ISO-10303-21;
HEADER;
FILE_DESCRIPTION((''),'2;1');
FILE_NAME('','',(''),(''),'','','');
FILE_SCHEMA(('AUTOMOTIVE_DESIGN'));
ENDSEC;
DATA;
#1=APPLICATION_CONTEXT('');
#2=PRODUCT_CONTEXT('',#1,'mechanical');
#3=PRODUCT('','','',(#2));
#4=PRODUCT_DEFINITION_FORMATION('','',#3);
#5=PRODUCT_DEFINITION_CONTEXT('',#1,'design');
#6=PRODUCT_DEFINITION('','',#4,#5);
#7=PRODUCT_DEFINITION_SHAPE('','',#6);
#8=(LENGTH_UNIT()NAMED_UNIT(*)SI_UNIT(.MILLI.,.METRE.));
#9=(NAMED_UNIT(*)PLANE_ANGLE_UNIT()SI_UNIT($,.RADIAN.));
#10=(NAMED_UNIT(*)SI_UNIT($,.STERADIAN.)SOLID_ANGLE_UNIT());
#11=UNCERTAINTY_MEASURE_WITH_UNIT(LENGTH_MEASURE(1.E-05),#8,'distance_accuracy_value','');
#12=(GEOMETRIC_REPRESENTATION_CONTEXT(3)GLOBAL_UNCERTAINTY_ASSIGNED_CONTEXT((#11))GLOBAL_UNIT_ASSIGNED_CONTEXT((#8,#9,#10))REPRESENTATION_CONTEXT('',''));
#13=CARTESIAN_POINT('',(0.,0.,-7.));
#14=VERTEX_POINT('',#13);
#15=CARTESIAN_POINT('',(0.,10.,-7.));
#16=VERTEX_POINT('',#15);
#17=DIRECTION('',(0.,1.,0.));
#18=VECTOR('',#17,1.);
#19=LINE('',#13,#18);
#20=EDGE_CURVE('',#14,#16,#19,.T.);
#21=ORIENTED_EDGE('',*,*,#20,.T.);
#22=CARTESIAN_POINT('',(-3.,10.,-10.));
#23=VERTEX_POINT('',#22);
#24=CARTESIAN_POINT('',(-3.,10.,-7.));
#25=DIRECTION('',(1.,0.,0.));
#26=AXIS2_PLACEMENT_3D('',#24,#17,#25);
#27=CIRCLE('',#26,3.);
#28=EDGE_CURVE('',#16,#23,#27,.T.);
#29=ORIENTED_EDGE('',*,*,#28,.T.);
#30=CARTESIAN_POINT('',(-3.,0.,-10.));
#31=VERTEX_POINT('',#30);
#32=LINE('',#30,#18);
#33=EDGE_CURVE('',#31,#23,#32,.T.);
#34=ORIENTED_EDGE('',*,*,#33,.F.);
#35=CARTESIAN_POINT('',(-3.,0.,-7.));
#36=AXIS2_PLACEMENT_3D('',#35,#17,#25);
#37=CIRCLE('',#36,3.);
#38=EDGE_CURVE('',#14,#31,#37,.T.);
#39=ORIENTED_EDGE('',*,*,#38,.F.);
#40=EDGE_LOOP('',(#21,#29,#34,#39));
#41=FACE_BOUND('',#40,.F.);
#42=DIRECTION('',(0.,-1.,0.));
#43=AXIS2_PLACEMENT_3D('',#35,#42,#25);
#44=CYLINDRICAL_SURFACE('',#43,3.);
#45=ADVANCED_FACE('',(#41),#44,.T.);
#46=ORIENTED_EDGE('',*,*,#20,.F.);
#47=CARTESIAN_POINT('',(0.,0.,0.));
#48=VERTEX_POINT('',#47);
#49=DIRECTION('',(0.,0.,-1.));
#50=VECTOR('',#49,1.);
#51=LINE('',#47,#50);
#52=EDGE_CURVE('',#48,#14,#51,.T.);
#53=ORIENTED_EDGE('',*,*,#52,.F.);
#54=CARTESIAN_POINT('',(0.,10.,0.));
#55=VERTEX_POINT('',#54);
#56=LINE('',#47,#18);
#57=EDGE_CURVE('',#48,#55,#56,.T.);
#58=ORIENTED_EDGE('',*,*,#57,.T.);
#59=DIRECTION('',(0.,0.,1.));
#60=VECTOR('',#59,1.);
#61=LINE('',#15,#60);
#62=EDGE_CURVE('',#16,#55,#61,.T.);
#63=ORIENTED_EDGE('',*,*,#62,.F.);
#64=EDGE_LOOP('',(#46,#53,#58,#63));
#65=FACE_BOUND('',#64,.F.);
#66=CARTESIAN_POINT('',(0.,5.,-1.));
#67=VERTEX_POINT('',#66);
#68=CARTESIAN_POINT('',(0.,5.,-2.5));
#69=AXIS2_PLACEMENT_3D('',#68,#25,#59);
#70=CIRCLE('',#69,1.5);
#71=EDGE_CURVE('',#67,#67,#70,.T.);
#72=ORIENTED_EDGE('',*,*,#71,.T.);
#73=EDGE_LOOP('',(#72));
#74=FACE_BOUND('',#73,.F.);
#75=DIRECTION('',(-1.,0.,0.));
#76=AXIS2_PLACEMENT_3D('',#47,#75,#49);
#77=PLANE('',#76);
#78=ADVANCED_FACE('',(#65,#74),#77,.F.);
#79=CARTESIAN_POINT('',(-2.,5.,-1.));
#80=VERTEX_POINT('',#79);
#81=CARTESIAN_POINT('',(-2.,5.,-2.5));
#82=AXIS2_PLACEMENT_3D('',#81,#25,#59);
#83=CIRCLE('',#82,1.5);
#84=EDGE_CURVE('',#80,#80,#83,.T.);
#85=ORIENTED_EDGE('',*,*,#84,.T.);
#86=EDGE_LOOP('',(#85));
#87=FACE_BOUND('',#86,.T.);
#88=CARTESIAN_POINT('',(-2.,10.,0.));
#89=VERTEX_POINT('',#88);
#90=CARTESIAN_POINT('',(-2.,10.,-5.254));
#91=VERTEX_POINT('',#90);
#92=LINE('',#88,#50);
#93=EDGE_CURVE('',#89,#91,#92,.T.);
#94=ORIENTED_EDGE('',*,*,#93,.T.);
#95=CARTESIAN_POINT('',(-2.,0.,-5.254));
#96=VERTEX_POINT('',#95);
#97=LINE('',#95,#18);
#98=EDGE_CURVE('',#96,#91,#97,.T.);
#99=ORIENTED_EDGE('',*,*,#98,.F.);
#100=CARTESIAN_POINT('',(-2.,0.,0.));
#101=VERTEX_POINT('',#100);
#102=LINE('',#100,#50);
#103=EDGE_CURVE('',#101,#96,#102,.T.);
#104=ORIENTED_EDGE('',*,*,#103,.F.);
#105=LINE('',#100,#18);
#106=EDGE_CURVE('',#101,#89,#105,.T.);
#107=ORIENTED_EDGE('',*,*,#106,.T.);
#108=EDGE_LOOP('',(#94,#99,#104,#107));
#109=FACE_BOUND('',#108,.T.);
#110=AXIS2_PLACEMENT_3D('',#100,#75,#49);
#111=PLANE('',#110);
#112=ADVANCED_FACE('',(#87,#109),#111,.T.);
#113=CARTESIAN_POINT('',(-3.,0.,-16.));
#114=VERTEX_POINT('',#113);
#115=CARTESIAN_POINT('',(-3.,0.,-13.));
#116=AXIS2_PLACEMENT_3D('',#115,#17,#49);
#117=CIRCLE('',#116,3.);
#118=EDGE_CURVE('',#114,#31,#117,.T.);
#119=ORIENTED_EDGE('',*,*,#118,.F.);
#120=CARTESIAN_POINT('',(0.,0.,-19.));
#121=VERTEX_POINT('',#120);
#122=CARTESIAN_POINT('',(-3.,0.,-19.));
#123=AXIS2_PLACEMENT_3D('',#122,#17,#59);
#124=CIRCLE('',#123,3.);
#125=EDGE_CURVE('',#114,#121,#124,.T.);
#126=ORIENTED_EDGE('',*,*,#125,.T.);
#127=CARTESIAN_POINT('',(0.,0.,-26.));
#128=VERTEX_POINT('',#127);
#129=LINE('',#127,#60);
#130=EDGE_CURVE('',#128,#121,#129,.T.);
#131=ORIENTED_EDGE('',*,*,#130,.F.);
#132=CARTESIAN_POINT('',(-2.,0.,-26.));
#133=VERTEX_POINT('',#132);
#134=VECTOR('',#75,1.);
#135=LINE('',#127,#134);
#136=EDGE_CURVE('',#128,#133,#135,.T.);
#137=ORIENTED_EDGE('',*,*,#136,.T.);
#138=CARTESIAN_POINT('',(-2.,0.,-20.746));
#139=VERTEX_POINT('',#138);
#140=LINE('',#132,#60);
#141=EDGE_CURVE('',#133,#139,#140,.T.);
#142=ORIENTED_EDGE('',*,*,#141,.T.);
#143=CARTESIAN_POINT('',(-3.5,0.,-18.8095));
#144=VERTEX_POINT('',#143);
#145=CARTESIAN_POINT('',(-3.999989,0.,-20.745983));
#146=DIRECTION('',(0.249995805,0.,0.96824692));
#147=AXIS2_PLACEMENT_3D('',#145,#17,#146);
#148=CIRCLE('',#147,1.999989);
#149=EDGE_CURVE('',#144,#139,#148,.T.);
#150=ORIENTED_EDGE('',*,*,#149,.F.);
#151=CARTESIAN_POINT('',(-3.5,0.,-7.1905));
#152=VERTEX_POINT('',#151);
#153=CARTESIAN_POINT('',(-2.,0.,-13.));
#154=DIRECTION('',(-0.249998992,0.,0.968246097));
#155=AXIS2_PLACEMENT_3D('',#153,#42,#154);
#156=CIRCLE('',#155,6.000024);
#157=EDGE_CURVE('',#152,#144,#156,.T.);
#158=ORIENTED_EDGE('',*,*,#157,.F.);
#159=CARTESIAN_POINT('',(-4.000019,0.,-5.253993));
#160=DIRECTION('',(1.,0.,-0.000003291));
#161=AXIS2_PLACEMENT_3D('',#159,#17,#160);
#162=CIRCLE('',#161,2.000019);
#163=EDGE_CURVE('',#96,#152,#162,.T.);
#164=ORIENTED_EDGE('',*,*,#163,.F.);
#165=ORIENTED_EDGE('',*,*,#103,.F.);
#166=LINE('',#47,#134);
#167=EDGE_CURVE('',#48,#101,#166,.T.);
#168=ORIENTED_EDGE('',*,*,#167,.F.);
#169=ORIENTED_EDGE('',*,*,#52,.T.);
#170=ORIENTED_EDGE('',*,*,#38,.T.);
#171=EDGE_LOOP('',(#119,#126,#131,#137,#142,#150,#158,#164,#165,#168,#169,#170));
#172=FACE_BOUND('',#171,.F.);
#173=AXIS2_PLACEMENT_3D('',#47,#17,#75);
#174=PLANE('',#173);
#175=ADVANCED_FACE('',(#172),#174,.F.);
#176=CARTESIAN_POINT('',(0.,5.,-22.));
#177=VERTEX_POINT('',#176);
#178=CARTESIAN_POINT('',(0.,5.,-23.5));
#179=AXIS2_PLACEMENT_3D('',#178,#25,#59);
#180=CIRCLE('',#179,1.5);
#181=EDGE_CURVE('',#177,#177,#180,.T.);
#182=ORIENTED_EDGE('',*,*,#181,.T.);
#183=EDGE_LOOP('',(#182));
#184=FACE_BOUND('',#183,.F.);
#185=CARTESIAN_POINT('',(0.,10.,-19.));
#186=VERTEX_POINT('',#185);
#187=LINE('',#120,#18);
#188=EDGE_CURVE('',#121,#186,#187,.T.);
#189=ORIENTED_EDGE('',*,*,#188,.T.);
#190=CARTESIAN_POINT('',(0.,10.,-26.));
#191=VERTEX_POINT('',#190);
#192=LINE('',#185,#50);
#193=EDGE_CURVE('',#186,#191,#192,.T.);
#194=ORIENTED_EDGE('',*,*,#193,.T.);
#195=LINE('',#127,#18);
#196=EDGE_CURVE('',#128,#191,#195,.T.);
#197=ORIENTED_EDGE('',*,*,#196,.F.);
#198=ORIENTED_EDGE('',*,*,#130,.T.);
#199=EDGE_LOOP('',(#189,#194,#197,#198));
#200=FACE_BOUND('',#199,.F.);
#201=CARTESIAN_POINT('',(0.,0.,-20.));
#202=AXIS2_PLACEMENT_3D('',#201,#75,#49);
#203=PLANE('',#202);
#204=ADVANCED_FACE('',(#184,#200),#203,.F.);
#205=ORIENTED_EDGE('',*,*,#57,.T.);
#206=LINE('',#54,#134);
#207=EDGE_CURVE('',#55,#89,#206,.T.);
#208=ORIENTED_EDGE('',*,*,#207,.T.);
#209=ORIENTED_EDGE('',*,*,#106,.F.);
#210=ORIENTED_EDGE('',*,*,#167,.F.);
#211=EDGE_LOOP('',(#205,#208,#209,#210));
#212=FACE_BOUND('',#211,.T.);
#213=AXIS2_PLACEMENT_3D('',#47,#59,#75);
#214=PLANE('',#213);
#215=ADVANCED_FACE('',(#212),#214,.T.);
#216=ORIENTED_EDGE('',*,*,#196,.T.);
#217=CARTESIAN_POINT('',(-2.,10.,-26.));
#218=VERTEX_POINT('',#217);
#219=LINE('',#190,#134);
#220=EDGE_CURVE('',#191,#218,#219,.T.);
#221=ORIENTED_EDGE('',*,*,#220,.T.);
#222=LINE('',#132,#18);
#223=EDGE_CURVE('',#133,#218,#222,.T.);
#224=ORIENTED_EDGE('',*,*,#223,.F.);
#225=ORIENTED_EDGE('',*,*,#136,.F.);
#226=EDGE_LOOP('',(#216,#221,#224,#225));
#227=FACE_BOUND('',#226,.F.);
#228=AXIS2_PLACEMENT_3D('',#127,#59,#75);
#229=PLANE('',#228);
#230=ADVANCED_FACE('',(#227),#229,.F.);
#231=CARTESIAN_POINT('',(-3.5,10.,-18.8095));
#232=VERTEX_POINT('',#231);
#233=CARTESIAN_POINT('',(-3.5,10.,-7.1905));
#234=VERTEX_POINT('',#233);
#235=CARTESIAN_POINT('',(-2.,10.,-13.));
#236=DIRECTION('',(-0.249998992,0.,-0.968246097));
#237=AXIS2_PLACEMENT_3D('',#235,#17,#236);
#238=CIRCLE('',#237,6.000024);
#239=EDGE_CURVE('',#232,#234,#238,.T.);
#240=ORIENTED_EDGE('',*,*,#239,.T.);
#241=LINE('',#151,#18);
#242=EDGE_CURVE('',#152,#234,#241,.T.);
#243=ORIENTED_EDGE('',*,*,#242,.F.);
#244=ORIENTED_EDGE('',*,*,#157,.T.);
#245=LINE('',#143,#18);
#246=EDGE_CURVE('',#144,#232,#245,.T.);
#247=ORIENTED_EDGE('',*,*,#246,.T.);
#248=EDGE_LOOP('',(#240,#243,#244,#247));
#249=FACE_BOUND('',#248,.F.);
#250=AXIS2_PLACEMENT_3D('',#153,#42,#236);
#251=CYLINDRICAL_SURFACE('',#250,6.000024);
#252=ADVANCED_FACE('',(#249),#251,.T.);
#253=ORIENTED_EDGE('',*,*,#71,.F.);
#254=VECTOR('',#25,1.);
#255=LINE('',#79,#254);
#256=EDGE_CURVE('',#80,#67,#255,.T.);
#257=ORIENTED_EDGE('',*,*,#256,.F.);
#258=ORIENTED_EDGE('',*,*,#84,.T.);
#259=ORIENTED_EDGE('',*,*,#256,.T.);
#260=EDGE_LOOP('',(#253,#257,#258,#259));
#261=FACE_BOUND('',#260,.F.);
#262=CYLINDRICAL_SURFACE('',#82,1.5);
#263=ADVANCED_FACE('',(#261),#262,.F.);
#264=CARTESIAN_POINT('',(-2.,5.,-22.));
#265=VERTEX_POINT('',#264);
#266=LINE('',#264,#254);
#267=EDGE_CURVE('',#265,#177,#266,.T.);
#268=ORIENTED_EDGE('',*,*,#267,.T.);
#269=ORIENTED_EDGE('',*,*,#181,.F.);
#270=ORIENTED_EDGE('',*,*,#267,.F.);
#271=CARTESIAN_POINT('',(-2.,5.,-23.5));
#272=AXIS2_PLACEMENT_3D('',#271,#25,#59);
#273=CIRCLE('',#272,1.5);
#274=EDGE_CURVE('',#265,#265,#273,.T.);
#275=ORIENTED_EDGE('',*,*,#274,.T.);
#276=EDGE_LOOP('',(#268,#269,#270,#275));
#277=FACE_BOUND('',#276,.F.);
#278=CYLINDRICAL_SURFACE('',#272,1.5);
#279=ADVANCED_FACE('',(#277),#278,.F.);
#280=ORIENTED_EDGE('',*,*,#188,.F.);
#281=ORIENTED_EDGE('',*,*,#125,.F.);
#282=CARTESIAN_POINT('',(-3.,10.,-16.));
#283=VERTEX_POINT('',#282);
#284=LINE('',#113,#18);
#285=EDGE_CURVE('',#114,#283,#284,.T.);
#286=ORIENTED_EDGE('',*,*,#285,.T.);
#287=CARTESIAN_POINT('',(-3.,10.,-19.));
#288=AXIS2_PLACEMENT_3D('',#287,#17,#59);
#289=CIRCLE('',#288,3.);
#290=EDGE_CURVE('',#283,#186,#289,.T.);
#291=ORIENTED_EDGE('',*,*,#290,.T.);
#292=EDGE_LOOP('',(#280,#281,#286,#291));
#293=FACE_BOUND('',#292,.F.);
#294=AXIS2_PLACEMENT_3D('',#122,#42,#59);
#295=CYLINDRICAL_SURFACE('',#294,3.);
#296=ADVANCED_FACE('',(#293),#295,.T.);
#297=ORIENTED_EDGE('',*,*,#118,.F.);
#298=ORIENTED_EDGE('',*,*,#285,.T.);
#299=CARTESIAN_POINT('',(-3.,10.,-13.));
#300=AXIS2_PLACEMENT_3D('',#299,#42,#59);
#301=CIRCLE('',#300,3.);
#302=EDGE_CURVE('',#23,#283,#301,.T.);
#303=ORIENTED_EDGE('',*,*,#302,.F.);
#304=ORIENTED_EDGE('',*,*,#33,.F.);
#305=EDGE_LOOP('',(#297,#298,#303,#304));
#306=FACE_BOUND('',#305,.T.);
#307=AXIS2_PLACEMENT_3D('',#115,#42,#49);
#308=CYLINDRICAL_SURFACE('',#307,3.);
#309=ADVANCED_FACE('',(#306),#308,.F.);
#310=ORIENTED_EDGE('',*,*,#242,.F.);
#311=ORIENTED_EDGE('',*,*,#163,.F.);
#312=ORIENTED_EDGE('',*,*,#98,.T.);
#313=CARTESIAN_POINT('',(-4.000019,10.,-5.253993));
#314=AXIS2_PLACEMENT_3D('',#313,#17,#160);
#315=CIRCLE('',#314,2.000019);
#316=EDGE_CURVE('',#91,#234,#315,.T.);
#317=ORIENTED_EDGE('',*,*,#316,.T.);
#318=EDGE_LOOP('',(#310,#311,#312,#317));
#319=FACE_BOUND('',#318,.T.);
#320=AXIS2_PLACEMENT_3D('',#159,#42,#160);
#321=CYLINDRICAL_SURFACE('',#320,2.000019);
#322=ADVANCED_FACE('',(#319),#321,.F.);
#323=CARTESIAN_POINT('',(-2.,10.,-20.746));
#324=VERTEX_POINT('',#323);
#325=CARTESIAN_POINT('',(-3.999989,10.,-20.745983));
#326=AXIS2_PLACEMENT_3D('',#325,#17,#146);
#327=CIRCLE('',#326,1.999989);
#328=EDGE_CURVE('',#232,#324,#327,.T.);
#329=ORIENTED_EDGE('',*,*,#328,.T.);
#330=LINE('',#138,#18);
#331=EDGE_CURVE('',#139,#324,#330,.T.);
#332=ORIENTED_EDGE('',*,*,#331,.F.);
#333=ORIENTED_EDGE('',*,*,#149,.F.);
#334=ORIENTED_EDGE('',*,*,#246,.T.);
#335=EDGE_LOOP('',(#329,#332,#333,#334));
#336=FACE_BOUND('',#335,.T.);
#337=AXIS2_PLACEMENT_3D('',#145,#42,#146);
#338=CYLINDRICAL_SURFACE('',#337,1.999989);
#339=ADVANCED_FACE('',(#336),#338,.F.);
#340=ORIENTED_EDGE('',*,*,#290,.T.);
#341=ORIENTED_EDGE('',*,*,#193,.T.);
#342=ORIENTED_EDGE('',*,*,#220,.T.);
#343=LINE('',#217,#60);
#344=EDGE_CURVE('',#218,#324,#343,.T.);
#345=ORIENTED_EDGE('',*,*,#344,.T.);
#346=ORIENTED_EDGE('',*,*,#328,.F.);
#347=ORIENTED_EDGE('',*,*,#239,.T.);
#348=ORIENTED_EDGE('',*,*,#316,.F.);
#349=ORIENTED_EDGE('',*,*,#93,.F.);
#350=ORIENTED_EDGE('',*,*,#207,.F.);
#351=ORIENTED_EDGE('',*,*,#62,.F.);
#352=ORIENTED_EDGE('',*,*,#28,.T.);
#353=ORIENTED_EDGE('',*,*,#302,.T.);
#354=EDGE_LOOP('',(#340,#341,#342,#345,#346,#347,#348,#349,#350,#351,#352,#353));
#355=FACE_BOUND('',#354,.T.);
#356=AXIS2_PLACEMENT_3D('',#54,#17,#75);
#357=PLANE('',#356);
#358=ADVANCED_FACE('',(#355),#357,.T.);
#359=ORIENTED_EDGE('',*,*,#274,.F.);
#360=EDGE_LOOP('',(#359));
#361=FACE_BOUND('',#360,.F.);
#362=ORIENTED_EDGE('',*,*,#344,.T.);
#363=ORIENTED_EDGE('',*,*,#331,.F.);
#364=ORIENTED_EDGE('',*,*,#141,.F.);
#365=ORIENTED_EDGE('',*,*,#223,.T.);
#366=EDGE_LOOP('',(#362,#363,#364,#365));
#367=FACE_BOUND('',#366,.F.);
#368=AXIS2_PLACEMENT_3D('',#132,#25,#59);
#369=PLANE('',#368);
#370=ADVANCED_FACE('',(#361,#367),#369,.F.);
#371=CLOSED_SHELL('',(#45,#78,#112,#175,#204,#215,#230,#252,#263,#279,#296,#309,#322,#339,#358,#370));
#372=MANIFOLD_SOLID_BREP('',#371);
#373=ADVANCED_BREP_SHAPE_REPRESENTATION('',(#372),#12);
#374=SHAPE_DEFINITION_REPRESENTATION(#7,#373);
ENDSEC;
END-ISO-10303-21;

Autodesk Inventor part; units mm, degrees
ref_plane "YZ Plane" through (0, 0, 0) normal (1, 0, 0) x (0, 1, 0)
ref_plane "XZ Plane" through (0, 0, 0) normal (0, 1, 0) x (-1, 0, 0)
ref_plane "XY Plane" through (0, 0, 0) normal (0, 0, 1) x (1, 0, 0)
sketch "Skizze1" plane through (0, 0, 0) normal (0, 1, 0) x (-1, 0, 0)
  line L0 (0, 0) -> (0, -6)
  line L1 (0, -20) -> (0, -26)
  line L2 (0, -26) -> (2, -26)
  line L3 (2, -26) -> (2, -20.746)
  line L4 (0, 0) -> (2, 0)
  line L5 (2, 0) -> (2, -5.254)
  arc A0 (3, -16) -> (3, -10) centre (3, -13) ccw
  line L6 (6, -13) -> (8, -13)
  line L7 (2, -26) -> (2, -19)
  arc A1 (3.5, -18.8095) -> (3.5, -7.1905) centre (2, -13) ccw
  arc A2 (3.5, -18.8095) -> (2, -20.746) centre (4, -20.746) ccw
  arc A3 (2, -5.254) -> (3.5, -7.1905) centre (4, -5.254) ccw
  line L8 (3, -16) -> (3, -16)
  line L9 (0, -19) -> (0, -20)
  line L10 (3, -10) -> (3, -10)
  line L11 (0, -7) -> (0, -6)
  arc A4 (3, -16) -> (0, -19) centre (3, -19) ccw
  arc A5 (0, -7) -> (3, -10) centre (3, -7) ccw
  point P0 (0, -10)
  point P1 (0, -16)
  point P2 (2, -19)
  point P3 (2, -7)
  dimension "d0" = 10
  dimension "d1" = 3
  dimension "d3" = 10
  dimension "d4" = 2
  dimension "d5" = 7
  dimension "d6" = 2
  dimension "d7" = 7
  dimension "d9" = 3
  dimension "d23" = 2
  dimension "d24" = 7
  dimension "d25" = 2
  dimension "d26" = 3
extrude "Extrusion1" add sketch "Skizze1" along normal blind 10
sketch "Skizze2" plane through (-2, 0, -5) normal (-1, 0, 0) x (0, 0, 1)
  line L0 (5, 0) -> (5, 10) projected
  line L1 (5, 5) -> (2.5, 5)
  line L2 (-21, 0) -> (-21, 10) projected
  line L3 (-21, 5) -> (-18.5, 5)
  dimension "d14" = 2.5
  dimension "d15" = 2.5
hole "Bohrung1" at (-2, 5, -2.5) at (-2, 5, -23.5) direction (1, 0, 0) diameter 3 depth 8 tip angle 118
properties part number "Draht_Halterung"
